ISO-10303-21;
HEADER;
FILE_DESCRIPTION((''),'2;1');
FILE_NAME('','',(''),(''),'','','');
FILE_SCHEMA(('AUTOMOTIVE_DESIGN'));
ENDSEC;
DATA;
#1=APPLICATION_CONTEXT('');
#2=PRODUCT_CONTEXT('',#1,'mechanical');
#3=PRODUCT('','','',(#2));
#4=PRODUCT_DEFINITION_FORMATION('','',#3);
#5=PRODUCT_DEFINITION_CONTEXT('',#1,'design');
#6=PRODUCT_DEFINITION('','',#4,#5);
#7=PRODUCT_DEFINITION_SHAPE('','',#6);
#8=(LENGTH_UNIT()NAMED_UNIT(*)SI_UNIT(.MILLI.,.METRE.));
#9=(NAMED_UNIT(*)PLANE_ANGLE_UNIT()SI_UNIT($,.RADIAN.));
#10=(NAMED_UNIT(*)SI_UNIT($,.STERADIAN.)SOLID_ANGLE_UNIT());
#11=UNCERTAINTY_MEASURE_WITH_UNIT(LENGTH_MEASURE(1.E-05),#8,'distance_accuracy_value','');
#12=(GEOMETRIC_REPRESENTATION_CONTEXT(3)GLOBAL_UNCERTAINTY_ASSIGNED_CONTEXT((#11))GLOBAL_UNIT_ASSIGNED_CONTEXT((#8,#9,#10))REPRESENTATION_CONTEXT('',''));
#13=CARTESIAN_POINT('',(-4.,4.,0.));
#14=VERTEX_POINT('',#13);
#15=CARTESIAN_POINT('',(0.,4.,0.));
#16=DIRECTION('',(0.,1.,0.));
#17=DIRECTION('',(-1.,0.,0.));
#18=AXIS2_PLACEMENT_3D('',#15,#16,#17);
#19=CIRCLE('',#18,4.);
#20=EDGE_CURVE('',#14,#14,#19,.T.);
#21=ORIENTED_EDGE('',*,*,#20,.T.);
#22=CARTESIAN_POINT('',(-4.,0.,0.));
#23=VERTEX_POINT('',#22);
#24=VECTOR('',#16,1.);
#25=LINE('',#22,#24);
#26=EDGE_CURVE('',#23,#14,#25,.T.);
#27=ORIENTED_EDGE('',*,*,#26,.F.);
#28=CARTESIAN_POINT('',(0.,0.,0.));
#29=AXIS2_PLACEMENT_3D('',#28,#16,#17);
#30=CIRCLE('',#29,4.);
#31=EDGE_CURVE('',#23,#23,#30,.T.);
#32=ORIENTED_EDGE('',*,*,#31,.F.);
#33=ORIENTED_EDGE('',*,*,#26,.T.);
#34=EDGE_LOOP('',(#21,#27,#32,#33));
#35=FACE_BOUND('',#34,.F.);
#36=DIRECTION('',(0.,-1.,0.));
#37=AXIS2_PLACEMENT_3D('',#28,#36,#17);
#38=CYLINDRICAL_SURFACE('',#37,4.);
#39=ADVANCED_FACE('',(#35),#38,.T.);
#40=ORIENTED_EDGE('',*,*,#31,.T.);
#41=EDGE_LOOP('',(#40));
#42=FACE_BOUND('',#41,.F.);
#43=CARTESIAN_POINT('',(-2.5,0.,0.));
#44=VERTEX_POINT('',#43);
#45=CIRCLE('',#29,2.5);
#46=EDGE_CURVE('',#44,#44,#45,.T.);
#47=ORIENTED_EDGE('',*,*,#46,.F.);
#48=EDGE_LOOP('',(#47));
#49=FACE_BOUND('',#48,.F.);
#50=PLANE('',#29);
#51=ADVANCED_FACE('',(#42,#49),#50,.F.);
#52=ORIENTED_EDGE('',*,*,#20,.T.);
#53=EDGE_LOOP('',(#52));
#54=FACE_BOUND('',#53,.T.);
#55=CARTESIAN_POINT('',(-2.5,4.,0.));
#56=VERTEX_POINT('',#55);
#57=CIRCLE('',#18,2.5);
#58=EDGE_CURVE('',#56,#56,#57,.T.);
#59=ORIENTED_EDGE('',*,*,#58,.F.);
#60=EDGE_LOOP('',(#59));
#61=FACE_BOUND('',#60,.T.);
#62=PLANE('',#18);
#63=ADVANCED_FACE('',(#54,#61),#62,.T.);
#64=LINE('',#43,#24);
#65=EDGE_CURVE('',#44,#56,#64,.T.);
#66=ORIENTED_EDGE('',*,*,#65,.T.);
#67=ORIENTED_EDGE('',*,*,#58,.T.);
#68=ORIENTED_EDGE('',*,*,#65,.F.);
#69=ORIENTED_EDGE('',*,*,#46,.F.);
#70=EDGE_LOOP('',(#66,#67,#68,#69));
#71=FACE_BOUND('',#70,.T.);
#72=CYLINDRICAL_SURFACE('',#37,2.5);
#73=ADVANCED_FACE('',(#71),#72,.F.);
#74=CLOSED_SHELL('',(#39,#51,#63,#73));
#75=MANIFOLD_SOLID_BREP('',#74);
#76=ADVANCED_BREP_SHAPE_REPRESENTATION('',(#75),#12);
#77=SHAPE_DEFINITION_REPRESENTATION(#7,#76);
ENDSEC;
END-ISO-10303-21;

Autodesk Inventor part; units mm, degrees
ref_plane "YZ Plane" through (0, 0, 0) normal (1, 0, 0) x (0, 1, 0)
ref_plane "XZ Plane" through (0, 0, 0) normal (0, 1, 0) x (-1, 0, 0)
ref_plane "XY Plane" through (0, 0, 0) normal (0, 0, 1) x (1, 0, 0)
sketch "Skizze1" plane through (0, 0, 0) normal (0, 1, 0) x (-1, 0, 0)
  circle A0 centre (0, 0) radius 4
  circle A1 centre (0, 0) radius 2.5
  dimension "d0" = 8
  dimension "d2" = 5
extrude "Extrusion1" add sketch "Skizze1" along normal blind 4
properties part number "1155"
